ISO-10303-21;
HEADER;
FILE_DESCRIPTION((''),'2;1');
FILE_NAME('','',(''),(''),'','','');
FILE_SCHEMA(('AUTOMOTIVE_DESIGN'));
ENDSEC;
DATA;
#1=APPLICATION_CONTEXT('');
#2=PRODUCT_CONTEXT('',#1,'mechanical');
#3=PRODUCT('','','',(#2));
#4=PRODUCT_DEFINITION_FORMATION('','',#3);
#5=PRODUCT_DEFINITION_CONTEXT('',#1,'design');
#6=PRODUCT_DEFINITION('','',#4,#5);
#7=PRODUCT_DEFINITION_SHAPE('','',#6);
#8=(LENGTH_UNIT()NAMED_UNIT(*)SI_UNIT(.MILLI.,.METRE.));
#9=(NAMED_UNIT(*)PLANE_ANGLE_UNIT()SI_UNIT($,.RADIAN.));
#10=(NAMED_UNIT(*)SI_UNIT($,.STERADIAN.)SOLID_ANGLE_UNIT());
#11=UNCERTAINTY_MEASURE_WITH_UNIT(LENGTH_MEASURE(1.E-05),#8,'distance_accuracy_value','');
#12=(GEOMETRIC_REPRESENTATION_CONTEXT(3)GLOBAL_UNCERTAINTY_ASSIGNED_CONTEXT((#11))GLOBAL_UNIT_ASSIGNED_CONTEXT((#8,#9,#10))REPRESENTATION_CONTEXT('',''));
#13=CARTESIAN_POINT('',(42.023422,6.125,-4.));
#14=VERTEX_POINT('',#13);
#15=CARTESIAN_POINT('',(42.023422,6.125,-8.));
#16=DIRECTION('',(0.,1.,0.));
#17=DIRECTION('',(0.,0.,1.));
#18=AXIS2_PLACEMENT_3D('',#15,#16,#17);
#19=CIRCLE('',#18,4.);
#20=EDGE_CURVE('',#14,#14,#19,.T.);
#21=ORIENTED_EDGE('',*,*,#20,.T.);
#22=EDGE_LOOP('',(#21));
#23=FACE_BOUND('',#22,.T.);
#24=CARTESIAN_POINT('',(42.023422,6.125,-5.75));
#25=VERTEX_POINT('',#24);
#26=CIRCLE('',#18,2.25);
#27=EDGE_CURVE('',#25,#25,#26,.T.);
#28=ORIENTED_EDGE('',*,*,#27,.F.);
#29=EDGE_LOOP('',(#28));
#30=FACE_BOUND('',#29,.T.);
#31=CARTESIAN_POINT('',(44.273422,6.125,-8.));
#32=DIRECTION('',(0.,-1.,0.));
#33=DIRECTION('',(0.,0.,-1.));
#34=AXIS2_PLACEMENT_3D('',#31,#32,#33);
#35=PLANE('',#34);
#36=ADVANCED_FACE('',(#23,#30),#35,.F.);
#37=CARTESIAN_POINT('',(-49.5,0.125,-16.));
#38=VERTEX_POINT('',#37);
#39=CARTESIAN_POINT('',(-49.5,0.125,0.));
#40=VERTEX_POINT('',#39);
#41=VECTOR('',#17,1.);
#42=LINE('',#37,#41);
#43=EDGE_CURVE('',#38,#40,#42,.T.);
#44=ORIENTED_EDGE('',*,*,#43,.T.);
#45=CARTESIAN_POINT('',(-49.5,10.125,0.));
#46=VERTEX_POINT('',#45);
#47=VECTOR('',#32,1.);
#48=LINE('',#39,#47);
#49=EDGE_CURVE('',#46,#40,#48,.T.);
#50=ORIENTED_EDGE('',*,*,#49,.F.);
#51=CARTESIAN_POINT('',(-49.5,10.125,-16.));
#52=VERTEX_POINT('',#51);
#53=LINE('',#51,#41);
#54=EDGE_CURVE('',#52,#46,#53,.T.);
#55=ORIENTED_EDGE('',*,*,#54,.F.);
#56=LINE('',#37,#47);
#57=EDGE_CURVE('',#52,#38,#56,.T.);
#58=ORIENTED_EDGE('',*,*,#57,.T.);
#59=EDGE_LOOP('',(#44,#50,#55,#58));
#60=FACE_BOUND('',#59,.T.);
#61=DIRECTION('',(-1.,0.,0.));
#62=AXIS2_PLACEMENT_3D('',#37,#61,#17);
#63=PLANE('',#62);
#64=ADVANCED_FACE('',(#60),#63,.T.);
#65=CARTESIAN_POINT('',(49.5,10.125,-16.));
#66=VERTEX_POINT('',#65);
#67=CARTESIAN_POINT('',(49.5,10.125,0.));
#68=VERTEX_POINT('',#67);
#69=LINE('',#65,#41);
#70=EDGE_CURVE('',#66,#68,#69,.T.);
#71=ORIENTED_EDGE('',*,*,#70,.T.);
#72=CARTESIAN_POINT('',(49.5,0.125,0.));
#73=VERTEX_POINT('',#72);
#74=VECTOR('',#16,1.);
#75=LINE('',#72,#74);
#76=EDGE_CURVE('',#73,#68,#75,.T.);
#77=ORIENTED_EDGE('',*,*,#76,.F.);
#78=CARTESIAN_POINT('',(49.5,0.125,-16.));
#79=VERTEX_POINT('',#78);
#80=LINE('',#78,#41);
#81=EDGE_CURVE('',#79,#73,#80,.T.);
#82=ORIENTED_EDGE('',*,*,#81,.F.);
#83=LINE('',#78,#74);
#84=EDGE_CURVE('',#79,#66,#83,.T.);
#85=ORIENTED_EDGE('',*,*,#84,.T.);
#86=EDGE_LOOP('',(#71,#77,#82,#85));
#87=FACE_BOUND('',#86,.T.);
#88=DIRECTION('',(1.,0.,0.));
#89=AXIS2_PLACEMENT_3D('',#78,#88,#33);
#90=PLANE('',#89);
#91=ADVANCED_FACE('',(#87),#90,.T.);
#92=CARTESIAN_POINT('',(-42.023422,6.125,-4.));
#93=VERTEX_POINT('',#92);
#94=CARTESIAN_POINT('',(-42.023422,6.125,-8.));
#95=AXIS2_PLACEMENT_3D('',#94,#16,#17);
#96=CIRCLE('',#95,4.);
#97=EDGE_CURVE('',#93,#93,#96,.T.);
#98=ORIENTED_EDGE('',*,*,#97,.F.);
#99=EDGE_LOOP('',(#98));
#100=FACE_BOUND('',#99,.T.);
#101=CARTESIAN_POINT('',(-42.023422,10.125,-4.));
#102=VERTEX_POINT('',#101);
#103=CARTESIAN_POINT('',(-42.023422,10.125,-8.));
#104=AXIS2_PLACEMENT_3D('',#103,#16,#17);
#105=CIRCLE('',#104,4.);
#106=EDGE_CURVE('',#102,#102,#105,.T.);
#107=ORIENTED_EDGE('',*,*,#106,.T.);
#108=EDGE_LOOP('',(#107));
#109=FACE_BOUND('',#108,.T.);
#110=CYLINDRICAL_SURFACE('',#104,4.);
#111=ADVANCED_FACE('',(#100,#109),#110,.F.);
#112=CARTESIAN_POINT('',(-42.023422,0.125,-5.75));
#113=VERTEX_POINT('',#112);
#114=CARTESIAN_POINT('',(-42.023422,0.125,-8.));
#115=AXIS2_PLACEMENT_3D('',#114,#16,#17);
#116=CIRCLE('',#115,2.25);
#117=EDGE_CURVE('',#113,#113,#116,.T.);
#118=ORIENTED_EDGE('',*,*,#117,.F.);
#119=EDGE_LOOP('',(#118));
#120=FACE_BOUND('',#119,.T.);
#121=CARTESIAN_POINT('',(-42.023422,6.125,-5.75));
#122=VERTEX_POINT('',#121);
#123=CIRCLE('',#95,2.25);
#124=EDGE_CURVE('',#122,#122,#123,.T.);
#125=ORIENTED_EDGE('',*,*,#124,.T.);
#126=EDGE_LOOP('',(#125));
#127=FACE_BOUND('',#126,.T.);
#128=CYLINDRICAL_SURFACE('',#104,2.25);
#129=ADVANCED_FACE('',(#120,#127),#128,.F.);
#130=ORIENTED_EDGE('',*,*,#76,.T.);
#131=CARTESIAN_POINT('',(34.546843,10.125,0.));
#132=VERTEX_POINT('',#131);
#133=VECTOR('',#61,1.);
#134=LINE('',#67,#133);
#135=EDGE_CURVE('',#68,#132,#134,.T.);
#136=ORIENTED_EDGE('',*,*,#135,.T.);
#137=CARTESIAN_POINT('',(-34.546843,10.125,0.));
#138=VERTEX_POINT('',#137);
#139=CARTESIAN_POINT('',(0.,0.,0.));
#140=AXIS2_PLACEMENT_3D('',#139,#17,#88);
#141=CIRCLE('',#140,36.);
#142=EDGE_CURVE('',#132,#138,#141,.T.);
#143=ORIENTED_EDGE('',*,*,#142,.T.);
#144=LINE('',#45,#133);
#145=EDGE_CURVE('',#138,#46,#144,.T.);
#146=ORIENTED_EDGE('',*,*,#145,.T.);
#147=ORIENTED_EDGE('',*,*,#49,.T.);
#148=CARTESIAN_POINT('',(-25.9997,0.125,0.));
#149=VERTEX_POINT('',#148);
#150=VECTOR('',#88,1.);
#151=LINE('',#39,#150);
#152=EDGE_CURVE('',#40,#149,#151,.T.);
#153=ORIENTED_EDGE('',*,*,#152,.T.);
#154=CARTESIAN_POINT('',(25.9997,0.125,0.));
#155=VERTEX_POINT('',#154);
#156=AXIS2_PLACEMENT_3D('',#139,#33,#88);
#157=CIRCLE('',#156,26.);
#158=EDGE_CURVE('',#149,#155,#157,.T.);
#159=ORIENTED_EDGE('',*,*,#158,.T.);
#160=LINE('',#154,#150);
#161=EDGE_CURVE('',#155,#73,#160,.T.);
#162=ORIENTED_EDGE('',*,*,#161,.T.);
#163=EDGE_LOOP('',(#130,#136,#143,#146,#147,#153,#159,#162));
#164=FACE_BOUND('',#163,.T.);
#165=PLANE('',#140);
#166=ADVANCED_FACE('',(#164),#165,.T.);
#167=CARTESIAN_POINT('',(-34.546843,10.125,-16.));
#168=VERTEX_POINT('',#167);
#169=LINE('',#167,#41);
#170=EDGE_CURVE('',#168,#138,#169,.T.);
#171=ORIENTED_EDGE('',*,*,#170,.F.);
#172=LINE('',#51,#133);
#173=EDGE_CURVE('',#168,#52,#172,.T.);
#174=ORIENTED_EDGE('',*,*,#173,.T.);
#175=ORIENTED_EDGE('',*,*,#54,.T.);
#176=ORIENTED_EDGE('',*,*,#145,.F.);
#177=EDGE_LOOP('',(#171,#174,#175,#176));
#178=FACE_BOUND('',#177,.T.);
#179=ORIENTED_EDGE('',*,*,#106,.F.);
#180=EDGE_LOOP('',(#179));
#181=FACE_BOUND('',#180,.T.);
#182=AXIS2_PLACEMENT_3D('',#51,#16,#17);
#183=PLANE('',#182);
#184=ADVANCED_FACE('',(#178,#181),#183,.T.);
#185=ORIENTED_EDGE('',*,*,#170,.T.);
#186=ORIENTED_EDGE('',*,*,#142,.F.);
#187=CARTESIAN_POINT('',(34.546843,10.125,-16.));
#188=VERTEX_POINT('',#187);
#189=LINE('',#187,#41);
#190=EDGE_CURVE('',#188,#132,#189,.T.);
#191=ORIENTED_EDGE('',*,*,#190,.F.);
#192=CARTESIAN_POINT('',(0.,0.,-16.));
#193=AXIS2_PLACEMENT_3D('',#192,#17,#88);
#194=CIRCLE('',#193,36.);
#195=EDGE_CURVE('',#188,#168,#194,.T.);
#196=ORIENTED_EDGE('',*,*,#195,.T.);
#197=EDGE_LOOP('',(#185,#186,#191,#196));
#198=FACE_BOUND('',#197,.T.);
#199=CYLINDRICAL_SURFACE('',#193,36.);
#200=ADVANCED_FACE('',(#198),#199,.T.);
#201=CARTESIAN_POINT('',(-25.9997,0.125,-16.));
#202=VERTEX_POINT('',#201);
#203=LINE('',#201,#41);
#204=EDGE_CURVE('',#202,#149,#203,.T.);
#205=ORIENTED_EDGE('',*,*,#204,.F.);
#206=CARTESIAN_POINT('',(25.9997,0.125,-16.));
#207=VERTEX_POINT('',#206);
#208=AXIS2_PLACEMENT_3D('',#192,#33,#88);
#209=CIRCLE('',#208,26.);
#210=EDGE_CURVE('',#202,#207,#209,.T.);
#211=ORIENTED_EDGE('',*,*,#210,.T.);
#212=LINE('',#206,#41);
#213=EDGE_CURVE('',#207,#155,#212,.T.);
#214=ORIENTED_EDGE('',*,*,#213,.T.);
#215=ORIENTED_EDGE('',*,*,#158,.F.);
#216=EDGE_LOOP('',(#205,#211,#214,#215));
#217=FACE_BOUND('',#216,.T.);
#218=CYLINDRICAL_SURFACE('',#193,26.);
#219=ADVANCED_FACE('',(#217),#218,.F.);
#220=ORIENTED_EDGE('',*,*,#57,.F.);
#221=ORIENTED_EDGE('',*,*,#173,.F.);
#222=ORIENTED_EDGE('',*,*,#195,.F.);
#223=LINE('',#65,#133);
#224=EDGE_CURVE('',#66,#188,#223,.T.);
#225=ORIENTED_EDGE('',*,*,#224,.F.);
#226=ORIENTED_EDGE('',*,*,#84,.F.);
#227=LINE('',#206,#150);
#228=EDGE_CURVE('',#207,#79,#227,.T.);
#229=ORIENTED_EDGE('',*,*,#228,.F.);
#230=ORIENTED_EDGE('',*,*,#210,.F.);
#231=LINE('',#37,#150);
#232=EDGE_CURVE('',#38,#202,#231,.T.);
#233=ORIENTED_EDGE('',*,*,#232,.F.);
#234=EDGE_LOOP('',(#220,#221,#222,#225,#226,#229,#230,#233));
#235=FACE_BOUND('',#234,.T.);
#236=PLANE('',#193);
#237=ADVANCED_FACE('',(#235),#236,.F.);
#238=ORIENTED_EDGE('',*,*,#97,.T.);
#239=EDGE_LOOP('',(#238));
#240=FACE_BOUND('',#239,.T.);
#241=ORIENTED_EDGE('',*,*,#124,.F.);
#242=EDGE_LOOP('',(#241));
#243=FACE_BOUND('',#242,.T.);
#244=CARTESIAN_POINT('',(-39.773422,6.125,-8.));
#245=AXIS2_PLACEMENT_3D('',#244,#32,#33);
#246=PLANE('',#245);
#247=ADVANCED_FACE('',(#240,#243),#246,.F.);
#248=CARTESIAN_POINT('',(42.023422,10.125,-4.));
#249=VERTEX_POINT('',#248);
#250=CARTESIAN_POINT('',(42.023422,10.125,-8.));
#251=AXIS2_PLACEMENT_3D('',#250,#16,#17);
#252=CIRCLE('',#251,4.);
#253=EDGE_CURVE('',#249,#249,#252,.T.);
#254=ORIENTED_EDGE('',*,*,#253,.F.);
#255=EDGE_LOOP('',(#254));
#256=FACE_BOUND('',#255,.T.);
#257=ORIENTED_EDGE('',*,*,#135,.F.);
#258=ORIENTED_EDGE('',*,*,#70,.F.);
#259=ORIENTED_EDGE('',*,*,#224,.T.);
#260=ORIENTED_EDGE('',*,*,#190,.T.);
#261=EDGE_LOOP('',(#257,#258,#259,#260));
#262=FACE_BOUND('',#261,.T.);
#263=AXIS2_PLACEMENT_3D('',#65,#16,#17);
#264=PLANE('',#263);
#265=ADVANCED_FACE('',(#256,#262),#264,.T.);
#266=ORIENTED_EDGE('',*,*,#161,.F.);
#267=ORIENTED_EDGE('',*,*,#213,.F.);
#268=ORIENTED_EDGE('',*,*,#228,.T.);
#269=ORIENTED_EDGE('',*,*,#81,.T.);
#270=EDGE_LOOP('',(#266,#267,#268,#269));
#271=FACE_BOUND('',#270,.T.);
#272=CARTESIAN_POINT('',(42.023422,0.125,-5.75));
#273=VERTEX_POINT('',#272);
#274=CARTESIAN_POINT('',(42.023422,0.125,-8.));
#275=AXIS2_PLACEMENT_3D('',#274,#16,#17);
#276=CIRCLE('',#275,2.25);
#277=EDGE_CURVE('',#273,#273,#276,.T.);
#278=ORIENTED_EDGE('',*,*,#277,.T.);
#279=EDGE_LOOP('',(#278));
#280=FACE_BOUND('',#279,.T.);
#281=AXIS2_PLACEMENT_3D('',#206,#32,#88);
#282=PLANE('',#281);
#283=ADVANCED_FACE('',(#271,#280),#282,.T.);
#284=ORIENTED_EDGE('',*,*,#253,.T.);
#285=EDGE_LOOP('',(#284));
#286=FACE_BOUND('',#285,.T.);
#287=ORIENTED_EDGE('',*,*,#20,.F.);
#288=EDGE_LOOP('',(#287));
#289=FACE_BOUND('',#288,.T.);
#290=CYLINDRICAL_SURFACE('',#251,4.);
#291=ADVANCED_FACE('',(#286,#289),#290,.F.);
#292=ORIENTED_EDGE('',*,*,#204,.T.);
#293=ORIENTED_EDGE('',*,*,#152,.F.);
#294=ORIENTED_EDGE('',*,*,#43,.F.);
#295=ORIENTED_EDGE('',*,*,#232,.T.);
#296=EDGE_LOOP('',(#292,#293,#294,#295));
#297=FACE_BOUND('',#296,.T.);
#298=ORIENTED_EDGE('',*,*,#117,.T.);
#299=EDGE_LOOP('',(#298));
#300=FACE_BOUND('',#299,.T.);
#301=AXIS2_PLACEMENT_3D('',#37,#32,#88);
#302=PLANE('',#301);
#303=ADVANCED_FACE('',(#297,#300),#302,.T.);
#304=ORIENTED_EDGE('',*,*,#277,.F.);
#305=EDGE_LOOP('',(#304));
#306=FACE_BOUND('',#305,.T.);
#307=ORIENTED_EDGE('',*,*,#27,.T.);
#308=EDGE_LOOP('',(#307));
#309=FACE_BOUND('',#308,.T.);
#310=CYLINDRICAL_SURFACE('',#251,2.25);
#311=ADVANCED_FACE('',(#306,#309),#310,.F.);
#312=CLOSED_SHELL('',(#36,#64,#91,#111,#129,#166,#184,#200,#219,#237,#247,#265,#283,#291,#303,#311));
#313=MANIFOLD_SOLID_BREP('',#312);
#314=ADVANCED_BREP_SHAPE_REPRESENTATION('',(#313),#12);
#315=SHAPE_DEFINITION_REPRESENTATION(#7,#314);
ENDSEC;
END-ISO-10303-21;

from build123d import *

# Parameters (mm, degrees)
BOSS_EXTRUDE1_DEPTH            = 16
CBORE_FOR_M4_SHCS1_D           = 4.5
CBORE_FOR_M4_SHCS1_CBORE_D     = 8
CBORE_FOR_M4_SHCS1_CBORE_DEPTH = 4


with BuildPart() as part:
    # Sketch2 → Boss-Extrude1 (new body)
    with BuildSketch(Plane.XY):
        with BuildLine():
            Line((-49.5, 0.125), (-25.999699517, 0.125))
            ThreePointArc((-25.999699517, 0.125), (0, 26), (25.999699517, 0.125))
            Line((25.999699517, 0.125), (49.5, 0.125))
            Line((49.5, 0.125), (49.5, 10.125))
            Line((49.5, 10.125), (34.546843199, 10.125))
            ThreePointArc((34.546843199, 10.125), (0, 36), (-34.546843199, 10.125))
            Line((-34.546843199, 10.125), (-49.5, 10.125))
            Line((-49.5, 10.125), (-49.5, 0.125))
        make_face()
    extrude(amount=-BOSS_EXTRUDE1_DEPTH)

    # CBORE for M4 SHCS1 (through all)
    with Locations(Plane(origin=(0, 10.125, 0), x_dir=(1, 0, 0), z_dir=(0, 1, 0))):
        with Locations((-42.023421599, 8), (42.023421599, 8)):
            CounterBoreHole(CBORE_FOR_M4_SHCS1_D / 2, CBORE_FOR_M4_SHCS1_CBORE_D / 2, CBORE_FOR_M4_SHCS1_CBORE_DEPTH)


solid = part.part
